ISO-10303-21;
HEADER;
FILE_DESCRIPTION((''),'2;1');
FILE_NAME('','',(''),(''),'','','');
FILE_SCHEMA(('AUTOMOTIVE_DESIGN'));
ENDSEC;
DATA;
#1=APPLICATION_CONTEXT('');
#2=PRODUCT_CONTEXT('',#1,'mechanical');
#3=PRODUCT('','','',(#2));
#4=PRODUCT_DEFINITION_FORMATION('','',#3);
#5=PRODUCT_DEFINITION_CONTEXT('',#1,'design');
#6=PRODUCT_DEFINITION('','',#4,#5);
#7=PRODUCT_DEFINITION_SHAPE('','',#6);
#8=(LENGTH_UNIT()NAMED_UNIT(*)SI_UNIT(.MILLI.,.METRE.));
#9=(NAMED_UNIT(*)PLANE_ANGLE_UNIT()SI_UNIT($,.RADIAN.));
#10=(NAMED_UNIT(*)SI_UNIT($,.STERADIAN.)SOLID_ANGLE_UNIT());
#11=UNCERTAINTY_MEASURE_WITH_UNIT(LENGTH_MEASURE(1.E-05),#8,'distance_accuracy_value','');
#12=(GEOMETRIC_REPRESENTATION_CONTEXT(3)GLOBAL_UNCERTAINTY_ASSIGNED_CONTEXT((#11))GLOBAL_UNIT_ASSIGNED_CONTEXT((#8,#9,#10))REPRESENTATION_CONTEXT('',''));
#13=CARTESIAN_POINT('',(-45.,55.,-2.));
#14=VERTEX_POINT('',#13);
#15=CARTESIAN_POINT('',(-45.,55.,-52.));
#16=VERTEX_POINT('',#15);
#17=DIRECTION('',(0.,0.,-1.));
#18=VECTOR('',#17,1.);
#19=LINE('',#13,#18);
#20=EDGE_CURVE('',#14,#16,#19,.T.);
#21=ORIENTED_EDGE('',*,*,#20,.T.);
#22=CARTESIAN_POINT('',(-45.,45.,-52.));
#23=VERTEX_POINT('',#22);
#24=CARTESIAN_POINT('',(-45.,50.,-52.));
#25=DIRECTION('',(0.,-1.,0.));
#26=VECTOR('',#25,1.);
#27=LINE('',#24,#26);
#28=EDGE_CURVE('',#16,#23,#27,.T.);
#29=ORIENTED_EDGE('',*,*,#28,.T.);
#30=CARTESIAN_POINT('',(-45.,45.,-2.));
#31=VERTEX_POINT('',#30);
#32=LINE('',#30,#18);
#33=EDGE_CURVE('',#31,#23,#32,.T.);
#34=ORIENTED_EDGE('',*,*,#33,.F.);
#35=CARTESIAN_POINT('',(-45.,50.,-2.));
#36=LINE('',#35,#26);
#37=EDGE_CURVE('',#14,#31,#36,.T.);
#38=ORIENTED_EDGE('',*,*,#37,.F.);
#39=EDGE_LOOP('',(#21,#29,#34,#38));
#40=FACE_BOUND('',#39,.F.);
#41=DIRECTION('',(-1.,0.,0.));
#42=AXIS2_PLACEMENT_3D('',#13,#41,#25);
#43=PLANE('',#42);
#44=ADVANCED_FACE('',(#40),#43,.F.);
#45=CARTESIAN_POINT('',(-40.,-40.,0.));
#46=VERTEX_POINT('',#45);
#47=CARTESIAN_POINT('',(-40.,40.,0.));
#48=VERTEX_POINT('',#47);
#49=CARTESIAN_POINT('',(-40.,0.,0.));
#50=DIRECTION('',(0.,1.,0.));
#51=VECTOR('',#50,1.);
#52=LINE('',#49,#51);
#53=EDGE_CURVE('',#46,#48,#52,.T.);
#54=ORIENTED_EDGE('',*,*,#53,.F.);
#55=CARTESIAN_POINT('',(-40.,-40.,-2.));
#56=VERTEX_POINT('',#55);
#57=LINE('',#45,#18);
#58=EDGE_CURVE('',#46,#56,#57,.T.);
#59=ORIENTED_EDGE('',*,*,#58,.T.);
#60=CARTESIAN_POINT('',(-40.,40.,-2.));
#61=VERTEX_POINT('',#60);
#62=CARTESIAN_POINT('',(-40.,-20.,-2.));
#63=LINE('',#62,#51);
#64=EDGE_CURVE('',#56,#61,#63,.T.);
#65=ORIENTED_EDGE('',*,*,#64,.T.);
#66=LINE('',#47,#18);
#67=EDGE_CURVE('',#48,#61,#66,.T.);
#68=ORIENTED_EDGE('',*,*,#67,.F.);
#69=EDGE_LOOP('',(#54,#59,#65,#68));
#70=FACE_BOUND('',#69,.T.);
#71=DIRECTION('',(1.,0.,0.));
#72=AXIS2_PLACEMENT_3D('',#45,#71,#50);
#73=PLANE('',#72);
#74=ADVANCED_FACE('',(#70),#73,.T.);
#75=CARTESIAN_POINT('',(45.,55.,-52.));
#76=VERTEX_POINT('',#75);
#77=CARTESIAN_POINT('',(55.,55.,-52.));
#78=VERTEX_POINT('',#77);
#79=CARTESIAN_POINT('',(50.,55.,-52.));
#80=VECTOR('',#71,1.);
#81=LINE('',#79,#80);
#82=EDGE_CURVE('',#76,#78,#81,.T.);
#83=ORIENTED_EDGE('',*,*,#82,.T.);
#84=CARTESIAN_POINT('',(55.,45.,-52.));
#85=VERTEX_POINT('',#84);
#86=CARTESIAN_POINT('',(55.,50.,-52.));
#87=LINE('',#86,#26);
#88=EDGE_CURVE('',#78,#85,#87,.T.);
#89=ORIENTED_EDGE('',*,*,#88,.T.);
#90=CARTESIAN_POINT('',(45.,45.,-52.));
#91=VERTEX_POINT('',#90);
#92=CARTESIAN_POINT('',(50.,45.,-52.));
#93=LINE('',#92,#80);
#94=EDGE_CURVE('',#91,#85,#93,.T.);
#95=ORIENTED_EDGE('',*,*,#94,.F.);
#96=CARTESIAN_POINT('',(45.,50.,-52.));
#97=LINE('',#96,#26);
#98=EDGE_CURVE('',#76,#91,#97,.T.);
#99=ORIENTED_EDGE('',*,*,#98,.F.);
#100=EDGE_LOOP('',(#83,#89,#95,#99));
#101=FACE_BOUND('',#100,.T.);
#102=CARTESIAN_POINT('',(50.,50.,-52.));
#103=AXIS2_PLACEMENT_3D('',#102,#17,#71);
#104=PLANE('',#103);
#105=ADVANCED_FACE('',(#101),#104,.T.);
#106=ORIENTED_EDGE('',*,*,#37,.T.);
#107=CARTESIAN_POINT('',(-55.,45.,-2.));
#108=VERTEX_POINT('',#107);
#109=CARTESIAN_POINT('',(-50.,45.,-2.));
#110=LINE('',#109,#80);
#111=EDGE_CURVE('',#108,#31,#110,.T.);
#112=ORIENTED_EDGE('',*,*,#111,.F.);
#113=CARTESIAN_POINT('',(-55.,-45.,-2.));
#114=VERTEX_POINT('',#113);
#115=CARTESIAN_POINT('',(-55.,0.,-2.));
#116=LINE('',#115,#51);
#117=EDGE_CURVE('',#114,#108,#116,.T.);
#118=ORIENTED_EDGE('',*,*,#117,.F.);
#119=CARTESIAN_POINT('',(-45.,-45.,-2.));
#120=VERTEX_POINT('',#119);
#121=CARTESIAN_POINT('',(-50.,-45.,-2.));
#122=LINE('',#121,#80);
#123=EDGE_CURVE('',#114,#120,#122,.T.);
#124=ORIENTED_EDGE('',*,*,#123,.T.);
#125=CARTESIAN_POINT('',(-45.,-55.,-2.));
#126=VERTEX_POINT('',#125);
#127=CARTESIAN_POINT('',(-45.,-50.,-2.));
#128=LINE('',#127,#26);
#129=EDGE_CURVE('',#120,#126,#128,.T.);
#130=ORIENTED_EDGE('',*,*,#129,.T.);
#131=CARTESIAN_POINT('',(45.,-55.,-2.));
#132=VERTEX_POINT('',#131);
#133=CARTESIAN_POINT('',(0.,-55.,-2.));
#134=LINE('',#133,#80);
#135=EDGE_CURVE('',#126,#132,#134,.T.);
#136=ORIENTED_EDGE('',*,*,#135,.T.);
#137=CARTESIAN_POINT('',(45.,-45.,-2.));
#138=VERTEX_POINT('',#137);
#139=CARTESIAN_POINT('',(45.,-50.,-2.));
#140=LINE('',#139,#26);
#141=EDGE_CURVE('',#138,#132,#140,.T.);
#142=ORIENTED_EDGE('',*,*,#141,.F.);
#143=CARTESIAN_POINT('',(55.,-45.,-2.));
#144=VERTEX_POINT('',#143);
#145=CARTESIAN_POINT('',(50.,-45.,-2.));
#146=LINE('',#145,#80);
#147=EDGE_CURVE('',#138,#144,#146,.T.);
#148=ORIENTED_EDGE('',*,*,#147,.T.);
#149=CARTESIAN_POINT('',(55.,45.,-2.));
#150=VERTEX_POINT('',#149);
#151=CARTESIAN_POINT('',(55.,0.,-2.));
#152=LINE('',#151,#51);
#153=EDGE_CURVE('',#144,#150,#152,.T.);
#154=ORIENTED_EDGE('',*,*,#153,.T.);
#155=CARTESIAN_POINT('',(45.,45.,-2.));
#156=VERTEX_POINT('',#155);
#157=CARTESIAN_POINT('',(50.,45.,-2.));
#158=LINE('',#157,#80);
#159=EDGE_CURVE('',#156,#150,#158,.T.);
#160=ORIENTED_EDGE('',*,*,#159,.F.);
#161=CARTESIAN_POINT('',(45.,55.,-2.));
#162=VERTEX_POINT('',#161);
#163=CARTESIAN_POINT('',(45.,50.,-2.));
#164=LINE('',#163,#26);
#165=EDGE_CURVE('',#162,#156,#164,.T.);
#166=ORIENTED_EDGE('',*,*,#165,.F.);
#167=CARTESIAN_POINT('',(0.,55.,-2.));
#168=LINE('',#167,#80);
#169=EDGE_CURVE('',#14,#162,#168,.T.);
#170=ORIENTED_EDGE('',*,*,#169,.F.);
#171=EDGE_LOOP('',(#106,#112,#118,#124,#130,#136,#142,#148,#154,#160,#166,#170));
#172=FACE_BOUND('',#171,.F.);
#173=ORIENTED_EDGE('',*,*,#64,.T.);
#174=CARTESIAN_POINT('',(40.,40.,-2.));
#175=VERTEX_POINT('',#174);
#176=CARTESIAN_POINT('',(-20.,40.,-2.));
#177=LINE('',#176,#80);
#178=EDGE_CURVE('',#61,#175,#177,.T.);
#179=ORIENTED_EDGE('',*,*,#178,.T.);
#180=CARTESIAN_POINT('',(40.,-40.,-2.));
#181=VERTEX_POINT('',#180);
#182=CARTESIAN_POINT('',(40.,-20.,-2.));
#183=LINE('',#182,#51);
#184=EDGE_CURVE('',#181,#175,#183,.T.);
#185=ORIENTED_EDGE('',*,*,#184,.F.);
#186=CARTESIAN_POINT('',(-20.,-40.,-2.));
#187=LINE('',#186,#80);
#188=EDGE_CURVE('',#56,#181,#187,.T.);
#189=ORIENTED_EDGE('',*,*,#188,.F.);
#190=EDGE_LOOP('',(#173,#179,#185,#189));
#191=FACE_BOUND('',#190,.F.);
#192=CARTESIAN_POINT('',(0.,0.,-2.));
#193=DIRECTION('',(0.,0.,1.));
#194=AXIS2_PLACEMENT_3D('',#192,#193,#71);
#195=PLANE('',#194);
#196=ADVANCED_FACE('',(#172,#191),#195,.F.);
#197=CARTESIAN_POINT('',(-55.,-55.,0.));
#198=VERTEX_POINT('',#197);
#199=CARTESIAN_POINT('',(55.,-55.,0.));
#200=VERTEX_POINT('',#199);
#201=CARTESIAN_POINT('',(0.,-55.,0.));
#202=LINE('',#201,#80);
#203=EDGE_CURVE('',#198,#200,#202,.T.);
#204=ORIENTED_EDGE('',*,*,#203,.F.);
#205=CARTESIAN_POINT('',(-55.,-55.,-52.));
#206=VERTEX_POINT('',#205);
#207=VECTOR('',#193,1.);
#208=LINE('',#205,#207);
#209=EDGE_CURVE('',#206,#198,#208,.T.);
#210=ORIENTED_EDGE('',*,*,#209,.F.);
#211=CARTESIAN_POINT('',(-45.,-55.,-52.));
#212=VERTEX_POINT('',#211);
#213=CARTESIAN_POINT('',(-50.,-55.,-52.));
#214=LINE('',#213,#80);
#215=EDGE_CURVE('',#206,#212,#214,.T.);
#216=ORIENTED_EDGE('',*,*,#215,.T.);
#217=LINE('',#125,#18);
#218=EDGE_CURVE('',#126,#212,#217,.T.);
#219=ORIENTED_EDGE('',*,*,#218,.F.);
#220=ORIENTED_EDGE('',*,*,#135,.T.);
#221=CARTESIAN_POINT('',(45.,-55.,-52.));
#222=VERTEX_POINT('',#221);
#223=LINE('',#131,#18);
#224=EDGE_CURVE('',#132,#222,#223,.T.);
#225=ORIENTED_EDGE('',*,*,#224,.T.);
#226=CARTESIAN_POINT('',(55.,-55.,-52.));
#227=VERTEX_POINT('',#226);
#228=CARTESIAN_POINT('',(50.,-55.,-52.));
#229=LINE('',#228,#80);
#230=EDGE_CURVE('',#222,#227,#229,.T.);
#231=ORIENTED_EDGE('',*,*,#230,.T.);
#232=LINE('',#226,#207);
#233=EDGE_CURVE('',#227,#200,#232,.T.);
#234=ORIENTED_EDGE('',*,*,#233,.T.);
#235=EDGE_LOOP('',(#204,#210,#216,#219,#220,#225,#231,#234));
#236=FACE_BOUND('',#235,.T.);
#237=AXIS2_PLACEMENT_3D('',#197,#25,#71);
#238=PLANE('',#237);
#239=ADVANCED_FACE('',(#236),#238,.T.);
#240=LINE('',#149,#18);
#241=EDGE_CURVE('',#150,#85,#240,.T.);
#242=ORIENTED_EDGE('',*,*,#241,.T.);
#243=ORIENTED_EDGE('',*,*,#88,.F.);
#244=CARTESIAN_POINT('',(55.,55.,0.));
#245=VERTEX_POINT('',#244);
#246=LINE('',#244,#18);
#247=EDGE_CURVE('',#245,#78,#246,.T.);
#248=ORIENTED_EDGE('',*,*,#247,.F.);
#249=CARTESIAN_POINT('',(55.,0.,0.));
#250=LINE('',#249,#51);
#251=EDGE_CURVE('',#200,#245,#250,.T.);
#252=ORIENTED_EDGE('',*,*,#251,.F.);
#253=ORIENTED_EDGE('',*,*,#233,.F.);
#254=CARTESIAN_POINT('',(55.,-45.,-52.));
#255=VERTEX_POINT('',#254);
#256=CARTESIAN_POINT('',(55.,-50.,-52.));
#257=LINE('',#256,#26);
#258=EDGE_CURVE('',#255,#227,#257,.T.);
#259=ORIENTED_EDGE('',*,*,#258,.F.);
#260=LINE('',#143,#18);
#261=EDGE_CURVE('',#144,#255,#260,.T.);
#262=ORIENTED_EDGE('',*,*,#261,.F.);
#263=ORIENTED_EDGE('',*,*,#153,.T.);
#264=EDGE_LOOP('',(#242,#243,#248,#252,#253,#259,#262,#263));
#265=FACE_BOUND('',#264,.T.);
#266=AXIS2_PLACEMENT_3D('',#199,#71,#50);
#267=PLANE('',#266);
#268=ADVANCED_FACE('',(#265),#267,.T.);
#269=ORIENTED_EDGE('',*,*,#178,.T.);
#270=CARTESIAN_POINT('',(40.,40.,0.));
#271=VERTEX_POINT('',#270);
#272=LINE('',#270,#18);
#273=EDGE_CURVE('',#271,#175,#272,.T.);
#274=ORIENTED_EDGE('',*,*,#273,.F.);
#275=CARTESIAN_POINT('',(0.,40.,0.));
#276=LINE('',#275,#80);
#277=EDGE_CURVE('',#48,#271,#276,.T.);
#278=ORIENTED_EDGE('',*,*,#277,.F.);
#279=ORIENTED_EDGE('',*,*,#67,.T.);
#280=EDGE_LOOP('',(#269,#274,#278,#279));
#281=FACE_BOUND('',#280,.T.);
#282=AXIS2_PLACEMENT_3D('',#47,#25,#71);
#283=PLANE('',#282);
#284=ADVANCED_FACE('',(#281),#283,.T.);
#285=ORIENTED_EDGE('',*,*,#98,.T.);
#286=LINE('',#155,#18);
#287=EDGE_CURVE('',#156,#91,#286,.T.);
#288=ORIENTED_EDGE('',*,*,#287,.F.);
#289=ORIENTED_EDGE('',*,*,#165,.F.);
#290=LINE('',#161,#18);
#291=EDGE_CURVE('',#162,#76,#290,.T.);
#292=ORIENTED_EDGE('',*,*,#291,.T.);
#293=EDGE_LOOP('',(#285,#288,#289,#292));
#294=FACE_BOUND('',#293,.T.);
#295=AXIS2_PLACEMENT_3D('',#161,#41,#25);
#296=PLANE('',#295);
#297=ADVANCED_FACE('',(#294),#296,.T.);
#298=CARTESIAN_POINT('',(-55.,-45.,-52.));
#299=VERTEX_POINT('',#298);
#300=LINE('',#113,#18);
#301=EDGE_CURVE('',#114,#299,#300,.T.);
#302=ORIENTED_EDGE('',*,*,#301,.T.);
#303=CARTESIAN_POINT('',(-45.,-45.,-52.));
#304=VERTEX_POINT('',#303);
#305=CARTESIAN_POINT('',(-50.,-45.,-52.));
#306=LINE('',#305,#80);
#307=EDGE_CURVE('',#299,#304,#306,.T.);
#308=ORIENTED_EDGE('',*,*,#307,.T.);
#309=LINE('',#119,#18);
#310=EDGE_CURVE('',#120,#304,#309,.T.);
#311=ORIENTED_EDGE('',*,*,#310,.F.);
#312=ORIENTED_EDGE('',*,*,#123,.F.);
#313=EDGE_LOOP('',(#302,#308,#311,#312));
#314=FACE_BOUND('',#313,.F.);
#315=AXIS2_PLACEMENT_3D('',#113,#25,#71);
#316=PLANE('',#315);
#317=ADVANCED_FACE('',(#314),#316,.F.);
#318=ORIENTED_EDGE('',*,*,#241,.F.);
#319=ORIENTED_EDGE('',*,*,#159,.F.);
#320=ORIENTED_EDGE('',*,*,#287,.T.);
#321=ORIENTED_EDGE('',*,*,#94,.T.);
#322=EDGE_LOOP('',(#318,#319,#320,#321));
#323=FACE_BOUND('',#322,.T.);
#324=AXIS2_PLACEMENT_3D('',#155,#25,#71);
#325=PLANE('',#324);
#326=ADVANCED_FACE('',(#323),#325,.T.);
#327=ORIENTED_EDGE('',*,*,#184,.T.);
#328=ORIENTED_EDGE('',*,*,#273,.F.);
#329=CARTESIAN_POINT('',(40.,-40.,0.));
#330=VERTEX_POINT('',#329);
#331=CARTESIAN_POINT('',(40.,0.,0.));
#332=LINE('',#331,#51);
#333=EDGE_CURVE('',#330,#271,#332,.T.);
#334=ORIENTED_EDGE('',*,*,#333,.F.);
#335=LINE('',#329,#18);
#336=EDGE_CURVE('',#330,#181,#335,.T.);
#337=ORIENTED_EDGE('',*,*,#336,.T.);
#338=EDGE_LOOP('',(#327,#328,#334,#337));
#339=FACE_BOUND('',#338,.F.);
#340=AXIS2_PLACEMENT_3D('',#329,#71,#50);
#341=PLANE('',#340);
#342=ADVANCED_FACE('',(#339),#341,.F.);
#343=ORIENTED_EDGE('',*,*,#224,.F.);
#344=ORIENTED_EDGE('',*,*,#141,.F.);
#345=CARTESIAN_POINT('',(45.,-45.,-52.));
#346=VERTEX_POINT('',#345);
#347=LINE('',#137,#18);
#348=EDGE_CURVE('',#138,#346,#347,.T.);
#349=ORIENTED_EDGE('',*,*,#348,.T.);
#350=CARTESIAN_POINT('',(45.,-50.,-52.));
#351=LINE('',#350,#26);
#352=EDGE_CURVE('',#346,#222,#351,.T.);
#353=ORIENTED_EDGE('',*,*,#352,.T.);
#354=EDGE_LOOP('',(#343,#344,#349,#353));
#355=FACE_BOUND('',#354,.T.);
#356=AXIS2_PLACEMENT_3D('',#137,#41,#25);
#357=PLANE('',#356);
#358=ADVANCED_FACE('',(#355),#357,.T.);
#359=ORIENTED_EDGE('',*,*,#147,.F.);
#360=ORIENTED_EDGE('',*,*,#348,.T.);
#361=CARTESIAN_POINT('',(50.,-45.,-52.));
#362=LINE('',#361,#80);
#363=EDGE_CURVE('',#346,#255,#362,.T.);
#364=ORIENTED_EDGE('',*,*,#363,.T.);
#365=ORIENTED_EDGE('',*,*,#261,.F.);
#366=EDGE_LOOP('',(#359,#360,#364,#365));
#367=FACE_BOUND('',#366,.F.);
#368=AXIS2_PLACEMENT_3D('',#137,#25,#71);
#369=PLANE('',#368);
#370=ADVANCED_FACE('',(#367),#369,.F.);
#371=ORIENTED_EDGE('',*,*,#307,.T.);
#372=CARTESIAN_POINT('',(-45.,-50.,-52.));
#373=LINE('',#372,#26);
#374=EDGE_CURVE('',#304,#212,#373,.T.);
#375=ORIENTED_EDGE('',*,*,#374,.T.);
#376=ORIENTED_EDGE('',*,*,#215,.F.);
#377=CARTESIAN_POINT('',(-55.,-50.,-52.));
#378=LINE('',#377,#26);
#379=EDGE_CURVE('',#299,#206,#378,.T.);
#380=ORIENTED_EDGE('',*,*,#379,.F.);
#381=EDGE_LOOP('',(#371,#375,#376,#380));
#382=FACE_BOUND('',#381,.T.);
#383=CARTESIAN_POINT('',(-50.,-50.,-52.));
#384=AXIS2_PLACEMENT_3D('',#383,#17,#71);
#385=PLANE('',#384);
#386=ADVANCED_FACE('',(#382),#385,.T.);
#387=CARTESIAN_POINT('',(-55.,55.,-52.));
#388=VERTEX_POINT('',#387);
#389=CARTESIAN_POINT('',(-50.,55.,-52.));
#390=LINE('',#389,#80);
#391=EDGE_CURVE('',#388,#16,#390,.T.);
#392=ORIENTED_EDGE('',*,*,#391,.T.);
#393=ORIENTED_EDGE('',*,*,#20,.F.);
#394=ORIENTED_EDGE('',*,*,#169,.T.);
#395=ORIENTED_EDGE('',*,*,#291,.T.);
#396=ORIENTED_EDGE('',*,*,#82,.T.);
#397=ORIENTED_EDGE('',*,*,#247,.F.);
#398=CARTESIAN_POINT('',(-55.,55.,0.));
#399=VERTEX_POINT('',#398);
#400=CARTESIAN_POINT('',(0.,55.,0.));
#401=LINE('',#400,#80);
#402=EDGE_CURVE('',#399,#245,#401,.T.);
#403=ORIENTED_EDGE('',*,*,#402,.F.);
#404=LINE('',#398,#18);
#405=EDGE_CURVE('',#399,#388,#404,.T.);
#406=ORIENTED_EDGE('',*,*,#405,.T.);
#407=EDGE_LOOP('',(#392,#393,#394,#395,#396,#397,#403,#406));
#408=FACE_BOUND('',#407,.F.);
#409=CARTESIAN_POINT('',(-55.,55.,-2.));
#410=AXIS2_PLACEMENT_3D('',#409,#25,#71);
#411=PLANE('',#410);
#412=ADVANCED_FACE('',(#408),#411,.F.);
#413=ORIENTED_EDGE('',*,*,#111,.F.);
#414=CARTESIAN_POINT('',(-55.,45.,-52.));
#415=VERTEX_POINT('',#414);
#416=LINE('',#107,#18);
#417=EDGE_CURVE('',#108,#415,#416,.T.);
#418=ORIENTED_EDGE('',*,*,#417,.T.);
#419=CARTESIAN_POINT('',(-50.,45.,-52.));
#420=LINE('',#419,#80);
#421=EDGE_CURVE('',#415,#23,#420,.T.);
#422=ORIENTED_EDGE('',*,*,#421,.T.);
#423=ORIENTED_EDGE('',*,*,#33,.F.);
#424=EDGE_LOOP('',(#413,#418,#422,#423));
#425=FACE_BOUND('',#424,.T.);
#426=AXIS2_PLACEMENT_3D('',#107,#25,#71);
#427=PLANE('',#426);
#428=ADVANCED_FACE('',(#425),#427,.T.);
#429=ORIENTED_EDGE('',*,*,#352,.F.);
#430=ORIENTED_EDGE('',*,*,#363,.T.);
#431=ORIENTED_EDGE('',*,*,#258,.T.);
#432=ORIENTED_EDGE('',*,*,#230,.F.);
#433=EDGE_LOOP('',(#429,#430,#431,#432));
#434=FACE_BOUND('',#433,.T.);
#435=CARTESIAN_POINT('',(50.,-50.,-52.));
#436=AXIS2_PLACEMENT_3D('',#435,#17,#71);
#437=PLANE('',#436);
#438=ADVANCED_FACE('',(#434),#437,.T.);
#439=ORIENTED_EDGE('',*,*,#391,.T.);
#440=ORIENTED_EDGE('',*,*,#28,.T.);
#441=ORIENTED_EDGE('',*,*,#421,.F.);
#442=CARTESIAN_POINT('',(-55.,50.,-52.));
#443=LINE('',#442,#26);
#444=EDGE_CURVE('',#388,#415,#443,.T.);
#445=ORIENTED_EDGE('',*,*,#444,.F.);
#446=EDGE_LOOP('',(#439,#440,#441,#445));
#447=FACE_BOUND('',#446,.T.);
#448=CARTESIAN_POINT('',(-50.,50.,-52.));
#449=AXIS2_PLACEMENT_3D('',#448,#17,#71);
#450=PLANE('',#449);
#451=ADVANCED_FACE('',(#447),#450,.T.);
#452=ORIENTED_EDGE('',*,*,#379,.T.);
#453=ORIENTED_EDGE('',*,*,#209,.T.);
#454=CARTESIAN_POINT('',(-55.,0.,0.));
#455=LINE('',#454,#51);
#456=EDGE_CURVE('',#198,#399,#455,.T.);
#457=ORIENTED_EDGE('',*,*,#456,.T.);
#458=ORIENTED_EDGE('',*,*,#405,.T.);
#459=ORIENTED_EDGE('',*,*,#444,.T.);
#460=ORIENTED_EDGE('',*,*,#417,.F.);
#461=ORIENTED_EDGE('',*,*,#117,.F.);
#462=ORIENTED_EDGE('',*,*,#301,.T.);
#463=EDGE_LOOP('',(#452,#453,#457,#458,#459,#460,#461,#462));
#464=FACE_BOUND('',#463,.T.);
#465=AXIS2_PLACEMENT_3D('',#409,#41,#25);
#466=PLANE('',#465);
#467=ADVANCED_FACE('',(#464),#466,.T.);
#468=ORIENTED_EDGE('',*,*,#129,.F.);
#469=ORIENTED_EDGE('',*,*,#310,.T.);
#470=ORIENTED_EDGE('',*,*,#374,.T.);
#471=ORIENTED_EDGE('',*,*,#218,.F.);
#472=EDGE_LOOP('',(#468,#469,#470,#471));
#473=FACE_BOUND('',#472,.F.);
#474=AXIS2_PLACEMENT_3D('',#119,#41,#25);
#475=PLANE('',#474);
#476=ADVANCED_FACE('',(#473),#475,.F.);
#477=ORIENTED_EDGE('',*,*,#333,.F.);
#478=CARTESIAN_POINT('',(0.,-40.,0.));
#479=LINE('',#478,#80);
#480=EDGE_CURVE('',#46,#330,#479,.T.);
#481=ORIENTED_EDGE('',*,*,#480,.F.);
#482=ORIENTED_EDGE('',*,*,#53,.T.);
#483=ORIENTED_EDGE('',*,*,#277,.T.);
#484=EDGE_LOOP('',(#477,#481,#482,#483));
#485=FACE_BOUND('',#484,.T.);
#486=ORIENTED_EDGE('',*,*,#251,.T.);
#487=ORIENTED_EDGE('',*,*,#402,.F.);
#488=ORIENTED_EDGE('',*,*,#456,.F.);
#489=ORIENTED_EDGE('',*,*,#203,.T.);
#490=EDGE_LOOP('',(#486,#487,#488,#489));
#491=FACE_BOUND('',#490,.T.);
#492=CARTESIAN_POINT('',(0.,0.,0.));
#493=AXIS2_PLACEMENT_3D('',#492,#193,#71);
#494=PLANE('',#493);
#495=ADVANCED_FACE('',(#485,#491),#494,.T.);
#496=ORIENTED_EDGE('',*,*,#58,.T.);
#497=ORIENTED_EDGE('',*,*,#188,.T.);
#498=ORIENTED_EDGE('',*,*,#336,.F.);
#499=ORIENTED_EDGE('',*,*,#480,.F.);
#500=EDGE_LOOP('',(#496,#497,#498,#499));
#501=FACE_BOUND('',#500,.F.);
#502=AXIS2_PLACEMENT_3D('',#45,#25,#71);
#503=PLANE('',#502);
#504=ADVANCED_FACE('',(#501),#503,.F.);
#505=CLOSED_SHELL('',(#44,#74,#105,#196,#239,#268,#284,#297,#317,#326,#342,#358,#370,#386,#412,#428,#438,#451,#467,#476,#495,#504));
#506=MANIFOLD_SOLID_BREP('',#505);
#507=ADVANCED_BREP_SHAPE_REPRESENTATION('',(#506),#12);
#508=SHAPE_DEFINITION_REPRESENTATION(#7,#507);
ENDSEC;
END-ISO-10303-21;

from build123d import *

# Parameters (mm, degrees)
F0_W     = 110
F0_H     = 110
F1_DEPTH = 2
F2_W     = 10
F2_H     = 10
F3_DEPTH = 50
F4_W     = 80
F4_H     = 80
F5_DEPTH = 52.001


with BuildPart() as f1:
    # F0 (on Top) → F1 (new body)
    with BuildSketch(Plane.XY):
        Rectangle(F0_W, F0_H)
    extrude(amount=-F1_DEPTH)

    # F2 (on face) → F3 (join)
    with BuildSketch(Plane(origin=(0, 0, -2), x_dir=(1, 0, 0), z_dir=(0, 0, -1))):
        with Locations((-50, -50)):
            Rectangle(F2_W, F2_H)
        with Locations((-50, 50)):
            Rectangle(F2_W, F2_H)
        with Locations((50, 50)):
            Rectangle(F2_W, F2_H)
        with Locations((50, -50)):
            Rectangle(F2_W, F2_H)
    extrude(amount=F3_DEPTH)

    # F4 (on face) → F5 (cut, through all)
    with BuildSketch(Plane.XY):
        Rectangle(F4_W, F4_H)
    extrude(amount=-F5_DEPTH, mode=Mode.SUBTRACT)


solid = f1.part
